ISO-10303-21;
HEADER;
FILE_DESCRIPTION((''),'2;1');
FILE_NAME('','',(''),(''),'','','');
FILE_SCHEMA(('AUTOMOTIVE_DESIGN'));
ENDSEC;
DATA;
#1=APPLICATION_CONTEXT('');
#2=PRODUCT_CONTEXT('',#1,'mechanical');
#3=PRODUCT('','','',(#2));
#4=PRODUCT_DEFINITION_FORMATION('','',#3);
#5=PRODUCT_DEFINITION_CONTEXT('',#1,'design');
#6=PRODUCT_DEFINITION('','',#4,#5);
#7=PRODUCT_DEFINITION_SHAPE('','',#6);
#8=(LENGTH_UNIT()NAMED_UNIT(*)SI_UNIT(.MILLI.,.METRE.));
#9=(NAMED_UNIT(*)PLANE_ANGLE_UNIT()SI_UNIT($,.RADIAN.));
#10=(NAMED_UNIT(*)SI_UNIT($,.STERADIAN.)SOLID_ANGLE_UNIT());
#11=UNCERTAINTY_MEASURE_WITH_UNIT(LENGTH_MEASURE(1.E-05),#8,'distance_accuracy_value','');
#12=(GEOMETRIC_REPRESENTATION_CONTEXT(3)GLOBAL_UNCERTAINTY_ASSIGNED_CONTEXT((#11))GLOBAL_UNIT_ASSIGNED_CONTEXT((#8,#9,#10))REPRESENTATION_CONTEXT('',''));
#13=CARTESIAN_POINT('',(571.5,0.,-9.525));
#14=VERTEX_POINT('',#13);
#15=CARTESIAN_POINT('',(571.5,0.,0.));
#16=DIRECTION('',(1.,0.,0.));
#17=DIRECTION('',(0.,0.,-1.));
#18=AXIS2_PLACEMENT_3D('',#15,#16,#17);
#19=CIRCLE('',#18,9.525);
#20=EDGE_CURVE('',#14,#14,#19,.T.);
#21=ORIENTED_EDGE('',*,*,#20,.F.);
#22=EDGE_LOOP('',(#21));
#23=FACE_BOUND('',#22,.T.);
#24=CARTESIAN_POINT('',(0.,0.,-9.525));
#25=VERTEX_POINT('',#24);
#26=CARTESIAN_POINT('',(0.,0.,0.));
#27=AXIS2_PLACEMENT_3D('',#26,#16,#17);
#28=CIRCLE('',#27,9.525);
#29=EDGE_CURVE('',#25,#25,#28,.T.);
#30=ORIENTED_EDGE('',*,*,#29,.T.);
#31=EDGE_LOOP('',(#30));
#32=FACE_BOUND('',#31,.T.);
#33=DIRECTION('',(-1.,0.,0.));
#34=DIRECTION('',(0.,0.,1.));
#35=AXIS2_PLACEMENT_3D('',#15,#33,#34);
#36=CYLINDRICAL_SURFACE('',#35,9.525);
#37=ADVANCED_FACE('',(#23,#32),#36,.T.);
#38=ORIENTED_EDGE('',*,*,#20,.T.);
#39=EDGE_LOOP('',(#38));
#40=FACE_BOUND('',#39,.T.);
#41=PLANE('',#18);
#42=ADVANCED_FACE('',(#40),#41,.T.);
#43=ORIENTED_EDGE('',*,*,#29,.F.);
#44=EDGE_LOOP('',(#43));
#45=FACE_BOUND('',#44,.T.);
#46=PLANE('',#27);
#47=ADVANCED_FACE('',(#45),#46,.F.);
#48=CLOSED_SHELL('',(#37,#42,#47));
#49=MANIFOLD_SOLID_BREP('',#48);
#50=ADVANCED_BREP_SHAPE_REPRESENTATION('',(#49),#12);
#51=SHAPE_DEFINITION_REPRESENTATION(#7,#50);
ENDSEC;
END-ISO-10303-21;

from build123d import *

# Parameters (mm, degrees)
SKETCH1_R           = 9.525
BOSS_EXTRUDE1_DEPTH = 571.5


with BuildPart() as part:
    # Sketch1 → Boss-Extrude1 (new body)
    with BuildSketch(Plane(origin=(0, 0, 0), x_dir=(0, 0, -1), z_dir=(1, 0, 0))):
        Circle(SKETCH1_R)
    extrude(amount=BOSS_EXTRUDE1_DEPTH)


solid = part.part
